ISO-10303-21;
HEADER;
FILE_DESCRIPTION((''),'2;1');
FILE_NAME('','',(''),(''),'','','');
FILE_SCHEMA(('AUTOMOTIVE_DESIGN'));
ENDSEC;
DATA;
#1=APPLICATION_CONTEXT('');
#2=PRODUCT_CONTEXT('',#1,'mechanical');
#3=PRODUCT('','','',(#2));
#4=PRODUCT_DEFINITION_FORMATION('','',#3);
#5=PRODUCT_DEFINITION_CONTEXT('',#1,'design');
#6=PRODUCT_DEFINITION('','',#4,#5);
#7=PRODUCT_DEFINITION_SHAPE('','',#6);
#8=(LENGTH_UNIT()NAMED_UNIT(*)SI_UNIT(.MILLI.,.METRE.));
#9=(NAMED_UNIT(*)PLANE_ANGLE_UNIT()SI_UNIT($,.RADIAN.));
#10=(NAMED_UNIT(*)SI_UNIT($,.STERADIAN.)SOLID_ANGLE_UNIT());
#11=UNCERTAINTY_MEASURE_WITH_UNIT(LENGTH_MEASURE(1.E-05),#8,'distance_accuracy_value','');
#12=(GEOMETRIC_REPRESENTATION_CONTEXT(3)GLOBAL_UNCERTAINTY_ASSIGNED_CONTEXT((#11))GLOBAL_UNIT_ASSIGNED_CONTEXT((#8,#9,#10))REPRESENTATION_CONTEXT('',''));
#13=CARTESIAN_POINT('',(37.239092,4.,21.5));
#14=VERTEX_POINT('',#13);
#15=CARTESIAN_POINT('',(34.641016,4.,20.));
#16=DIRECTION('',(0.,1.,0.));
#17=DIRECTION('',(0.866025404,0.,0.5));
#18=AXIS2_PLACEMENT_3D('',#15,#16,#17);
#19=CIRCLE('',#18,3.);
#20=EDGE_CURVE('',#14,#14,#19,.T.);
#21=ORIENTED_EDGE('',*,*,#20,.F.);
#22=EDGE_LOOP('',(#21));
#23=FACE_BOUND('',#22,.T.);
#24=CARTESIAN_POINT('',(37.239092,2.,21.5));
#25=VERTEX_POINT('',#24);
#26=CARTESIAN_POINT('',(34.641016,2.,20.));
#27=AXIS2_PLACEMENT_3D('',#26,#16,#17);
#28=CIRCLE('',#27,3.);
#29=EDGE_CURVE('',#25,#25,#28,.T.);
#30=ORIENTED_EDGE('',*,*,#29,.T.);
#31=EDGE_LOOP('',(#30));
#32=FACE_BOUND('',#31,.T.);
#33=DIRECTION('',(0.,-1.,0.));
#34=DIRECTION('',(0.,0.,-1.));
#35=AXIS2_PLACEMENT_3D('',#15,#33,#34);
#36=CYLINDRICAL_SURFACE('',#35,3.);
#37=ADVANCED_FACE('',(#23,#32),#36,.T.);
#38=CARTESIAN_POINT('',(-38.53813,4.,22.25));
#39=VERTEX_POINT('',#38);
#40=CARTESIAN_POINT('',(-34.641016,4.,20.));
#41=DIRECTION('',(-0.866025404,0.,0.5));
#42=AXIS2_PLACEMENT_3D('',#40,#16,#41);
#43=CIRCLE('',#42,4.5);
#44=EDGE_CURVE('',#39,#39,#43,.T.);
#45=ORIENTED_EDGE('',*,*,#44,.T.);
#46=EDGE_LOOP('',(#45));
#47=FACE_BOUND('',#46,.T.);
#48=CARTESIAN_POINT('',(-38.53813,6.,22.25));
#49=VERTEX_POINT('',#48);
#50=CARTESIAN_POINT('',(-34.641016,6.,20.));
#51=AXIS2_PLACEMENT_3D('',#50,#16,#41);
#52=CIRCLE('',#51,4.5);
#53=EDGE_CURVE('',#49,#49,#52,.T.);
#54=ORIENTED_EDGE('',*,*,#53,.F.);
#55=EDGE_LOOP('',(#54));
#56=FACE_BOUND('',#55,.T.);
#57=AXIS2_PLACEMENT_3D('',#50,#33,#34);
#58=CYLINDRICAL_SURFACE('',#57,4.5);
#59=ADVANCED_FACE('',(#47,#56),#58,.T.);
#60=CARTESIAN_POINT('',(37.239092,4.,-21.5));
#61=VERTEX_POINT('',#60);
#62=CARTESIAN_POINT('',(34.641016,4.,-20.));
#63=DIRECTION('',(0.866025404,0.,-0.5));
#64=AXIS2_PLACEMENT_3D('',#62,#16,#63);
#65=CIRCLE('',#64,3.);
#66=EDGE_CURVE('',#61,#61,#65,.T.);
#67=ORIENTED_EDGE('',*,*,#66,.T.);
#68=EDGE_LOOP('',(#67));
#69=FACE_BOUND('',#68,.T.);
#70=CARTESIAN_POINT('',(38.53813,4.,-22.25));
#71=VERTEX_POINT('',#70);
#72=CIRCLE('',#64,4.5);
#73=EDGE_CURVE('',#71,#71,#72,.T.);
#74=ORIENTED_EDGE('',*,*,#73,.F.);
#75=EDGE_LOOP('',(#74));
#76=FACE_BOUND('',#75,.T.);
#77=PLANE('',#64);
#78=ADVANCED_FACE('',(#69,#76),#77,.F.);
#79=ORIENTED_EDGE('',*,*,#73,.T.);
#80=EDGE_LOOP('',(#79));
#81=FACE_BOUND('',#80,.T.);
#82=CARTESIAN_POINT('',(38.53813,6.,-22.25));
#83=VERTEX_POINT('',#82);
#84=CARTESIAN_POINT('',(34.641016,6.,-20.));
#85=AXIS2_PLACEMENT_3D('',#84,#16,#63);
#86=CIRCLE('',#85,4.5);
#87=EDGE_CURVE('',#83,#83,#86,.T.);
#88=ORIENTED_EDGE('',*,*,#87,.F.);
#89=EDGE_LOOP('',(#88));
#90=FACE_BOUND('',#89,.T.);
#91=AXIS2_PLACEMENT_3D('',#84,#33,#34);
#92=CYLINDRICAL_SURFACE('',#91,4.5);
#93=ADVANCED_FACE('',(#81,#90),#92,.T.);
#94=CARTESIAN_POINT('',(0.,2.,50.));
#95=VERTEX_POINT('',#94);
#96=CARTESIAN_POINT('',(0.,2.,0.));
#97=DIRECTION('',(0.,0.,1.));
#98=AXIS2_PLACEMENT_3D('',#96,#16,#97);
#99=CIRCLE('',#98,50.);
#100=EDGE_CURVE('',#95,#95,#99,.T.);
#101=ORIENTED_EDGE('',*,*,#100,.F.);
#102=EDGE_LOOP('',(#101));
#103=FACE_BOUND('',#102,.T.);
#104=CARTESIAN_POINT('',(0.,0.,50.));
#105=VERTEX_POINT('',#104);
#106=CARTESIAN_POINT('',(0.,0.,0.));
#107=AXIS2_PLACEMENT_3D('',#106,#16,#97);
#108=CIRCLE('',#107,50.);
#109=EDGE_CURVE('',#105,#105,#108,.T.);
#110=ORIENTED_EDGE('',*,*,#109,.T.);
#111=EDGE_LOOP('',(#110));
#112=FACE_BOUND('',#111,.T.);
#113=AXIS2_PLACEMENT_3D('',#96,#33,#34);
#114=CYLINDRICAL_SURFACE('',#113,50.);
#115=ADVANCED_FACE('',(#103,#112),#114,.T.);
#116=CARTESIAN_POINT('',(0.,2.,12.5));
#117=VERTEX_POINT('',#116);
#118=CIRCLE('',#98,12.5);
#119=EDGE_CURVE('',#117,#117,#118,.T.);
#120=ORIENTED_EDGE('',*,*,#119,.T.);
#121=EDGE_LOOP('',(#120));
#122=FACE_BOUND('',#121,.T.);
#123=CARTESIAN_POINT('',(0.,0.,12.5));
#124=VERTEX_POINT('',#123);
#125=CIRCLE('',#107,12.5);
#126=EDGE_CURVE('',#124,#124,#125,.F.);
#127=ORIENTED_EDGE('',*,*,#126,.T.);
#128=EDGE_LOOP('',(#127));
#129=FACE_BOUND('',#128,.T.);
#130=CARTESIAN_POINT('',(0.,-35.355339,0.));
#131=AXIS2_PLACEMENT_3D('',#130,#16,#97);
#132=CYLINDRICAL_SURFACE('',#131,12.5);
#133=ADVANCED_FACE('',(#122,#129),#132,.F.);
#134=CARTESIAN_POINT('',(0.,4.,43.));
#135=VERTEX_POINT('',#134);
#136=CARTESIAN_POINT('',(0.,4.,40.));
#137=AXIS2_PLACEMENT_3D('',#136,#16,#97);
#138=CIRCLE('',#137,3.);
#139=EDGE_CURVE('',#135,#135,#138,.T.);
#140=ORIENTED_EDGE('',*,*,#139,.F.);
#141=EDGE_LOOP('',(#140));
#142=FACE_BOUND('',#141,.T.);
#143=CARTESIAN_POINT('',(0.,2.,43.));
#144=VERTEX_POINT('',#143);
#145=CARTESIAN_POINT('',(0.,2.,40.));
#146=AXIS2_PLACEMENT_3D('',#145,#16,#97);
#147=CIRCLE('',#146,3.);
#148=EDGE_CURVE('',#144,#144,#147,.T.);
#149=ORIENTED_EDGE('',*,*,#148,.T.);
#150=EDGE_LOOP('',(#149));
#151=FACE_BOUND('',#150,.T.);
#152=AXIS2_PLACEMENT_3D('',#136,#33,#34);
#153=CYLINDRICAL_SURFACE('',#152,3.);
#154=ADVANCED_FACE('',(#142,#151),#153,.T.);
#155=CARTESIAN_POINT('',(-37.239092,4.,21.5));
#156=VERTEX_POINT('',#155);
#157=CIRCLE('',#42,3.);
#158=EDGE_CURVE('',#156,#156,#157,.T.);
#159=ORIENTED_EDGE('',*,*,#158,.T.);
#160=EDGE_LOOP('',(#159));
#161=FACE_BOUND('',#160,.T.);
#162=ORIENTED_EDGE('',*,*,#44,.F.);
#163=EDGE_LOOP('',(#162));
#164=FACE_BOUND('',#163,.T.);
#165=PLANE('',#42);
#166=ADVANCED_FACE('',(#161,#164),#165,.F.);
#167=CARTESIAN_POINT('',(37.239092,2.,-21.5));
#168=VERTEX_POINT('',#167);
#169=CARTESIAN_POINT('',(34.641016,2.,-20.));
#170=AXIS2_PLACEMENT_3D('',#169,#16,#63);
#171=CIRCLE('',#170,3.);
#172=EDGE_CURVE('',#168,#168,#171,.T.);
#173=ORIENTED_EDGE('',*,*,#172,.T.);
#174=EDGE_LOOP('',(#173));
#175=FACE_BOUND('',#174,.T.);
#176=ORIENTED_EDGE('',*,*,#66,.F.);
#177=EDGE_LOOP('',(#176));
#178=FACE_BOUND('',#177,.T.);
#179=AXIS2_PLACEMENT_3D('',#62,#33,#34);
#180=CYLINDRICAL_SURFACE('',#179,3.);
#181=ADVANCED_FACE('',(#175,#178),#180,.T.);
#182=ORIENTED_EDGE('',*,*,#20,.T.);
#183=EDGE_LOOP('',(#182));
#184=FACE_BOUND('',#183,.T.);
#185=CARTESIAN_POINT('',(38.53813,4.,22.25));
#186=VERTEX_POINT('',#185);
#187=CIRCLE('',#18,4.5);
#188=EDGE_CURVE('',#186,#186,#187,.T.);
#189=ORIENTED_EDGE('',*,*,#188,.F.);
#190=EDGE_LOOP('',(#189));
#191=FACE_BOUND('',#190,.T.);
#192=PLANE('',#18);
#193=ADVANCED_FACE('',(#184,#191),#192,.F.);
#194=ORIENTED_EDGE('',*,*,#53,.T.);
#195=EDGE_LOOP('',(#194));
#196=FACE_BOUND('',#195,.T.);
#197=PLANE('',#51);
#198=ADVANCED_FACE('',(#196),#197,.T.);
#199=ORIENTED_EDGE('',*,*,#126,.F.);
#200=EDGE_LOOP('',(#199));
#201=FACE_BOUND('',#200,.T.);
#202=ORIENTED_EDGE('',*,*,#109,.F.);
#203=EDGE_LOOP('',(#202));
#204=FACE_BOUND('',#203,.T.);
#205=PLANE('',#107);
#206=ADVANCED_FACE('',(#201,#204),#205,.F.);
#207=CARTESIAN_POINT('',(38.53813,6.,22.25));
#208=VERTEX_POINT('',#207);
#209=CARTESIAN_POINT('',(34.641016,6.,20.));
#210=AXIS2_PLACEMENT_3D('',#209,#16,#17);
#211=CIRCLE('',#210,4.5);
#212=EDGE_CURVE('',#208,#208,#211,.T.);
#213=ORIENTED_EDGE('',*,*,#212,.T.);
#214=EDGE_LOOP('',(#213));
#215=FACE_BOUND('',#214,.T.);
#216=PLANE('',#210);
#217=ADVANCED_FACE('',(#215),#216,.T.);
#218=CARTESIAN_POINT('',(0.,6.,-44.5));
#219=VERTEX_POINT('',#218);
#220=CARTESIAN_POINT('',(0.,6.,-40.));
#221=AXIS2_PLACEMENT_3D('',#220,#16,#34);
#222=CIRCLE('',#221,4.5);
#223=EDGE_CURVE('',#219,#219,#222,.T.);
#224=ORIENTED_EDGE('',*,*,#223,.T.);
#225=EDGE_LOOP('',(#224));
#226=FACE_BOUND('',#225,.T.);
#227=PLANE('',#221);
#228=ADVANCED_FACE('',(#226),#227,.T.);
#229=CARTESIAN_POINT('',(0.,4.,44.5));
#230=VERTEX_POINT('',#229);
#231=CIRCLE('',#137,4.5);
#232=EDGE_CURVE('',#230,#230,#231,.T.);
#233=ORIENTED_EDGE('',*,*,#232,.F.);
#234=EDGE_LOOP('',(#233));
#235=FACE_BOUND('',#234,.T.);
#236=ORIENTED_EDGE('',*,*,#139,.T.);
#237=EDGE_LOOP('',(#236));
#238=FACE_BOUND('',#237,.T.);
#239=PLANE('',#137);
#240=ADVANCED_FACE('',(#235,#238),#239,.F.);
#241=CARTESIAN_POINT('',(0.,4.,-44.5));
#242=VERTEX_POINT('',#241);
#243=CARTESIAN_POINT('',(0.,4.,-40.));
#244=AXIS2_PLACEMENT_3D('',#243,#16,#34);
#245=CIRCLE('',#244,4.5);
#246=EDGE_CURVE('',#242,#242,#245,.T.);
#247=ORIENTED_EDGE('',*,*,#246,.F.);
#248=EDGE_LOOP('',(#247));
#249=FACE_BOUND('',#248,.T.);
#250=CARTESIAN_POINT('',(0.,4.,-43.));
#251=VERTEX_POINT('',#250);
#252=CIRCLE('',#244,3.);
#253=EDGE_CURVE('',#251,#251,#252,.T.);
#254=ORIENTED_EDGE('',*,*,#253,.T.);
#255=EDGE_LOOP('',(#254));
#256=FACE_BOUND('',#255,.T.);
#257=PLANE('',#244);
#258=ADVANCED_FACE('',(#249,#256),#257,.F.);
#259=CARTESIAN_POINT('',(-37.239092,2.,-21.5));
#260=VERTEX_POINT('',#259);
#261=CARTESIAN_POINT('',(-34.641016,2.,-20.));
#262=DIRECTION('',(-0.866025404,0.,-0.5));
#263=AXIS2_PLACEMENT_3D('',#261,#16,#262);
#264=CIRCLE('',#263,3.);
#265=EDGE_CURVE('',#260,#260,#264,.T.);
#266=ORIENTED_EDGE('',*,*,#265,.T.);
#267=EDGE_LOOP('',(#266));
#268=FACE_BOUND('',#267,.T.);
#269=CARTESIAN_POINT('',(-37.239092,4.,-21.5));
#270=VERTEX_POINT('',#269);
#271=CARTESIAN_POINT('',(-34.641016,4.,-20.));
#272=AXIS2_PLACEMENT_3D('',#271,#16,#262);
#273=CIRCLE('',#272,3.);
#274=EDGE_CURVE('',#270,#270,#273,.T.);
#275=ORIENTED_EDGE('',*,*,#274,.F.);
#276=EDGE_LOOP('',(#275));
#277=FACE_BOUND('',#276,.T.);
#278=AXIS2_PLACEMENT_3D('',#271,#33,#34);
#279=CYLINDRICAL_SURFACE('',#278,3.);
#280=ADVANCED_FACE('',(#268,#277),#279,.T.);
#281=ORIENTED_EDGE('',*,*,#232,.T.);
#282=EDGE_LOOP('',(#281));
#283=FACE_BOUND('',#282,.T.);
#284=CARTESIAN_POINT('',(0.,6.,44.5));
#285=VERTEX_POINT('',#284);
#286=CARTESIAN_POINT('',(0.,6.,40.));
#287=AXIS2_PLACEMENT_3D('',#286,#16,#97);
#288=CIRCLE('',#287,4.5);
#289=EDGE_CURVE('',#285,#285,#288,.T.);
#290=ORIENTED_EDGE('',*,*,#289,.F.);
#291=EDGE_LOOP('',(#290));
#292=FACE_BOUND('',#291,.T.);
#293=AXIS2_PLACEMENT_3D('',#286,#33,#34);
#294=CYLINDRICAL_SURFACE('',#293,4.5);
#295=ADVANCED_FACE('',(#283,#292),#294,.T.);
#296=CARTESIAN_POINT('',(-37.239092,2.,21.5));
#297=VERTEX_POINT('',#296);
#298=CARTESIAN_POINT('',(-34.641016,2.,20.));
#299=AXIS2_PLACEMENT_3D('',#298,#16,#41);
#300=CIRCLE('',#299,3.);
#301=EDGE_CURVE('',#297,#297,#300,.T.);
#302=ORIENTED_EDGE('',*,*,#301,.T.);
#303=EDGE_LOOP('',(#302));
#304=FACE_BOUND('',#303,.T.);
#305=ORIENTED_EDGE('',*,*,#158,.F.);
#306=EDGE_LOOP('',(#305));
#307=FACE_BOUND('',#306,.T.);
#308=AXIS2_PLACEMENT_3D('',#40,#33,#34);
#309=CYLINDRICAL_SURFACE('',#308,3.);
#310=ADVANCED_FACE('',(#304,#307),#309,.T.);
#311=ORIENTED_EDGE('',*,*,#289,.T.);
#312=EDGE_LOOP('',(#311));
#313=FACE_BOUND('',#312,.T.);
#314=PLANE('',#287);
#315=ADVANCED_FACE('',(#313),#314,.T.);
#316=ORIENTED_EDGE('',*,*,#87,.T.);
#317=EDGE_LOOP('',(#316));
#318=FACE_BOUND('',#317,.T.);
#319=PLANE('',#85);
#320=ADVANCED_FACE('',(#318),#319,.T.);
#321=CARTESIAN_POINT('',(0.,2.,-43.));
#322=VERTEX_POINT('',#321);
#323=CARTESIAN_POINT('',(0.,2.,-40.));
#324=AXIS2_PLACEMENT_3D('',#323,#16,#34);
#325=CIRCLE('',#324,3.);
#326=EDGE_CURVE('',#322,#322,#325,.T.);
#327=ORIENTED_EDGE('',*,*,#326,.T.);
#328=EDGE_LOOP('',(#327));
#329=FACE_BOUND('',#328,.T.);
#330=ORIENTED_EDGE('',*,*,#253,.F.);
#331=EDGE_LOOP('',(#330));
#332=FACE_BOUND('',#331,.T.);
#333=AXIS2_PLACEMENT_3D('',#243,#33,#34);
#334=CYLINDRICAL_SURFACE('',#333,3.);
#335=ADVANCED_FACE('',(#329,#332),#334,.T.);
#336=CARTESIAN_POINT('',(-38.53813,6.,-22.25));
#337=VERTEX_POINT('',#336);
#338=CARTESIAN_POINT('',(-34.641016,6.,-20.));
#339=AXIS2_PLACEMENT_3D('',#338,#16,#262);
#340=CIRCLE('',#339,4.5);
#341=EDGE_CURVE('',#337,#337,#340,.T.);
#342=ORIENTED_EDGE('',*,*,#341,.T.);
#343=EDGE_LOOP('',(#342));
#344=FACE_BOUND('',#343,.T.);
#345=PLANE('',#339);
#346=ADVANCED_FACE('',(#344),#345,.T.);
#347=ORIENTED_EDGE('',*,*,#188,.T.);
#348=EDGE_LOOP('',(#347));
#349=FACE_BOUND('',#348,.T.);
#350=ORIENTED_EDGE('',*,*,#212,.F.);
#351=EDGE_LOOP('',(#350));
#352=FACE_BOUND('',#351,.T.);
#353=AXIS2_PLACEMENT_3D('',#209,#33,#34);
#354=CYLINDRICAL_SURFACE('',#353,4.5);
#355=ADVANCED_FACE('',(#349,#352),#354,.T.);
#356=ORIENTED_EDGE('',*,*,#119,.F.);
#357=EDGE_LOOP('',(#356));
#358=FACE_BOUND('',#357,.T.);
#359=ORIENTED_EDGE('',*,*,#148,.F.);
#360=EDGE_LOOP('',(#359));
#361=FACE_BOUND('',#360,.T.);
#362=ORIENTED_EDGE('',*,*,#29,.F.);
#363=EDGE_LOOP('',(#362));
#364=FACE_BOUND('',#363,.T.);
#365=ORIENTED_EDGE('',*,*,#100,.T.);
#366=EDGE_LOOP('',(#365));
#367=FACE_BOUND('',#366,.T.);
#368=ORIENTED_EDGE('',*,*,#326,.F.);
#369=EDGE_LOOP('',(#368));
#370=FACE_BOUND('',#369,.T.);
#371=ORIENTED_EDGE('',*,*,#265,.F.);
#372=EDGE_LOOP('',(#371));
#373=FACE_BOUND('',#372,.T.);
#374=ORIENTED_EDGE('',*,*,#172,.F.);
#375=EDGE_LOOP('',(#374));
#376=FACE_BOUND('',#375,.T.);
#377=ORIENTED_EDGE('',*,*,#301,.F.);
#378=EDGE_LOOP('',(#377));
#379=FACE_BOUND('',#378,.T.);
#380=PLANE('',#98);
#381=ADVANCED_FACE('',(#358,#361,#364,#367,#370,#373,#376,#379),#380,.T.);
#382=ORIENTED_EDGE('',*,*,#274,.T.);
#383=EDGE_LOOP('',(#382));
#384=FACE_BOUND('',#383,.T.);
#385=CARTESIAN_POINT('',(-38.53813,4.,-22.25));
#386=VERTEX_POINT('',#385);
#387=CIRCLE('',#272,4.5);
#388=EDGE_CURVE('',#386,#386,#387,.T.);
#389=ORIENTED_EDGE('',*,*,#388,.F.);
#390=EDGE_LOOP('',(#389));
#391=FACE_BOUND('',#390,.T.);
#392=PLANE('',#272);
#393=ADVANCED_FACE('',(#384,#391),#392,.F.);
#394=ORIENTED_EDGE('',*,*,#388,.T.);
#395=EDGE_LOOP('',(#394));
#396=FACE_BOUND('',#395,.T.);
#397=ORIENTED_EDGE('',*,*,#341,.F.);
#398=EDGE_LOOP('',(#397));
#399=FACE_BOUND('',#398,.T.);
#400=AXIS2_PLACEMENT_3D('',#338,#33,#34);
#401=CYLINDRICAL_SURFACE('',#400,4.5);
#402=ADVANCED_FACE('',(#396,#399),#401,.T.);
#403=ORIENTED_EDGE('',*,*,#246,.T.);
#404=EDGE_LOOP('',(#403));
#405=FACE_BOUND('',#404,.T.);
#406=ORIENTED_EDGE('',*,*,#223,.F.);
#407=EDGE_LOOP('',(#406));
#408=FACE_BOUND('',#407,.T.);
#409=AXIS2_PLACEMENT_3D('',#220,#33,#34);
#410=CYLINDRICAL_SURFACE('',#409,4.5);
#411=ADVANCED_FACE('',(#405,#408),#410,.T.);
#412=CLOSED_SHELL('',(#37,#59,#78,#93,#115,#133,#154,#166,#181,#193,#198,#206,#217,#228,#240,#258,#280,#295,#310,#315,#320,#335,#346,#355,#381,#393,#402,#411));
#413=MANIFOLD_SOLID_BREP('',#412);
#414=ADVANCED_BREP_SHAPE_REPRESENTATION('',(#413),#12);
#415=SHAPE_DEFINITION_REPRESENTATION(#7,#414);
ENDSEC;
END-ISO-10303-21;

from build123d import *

# Parameters (mm, degrees)
SKETCH1_R           = 50
BOSS_EXTRUDE1_DEPTH = 2
SKETCH2_R           = 12.5
CUT_EXTRUDE1_DEPTH  = 2
SKETCH2_3_R         = 4.5
BOSS_EXTRUDE2_DEPTH = 4
SKETCH2_4_R         = 4.5
SKETCH2_4_R_2       = 3
CUT_EXTRUDE2_DEPTH  = 2
CIRPATTERN1_COUNT   = 12


with BuildPart() as part:
    # Sketch1 → Boss-Extrude1 (new body)
    with BuildSketch(Plane(origin=(0, 0, 0), x_dir=(1, 0, 0), z_dir=(0, 1, 0))):
        with Locations(Location((0, 0, 0), (0, 0, 270))):
            Circle(SKETCH1_R)
    extrude(amount=BOSS_EXTRUDE1_DEPTH)

    # Sketch2 → Cut-Extrude1 (cut)
    with BuildSketch(Plane(origin=(0, 2, 0), x_dir=(1, 0, 0), z_dir=(0, 1, 0))):
        with Locations(Location((0, 0, 0), (0, 0, 270))):
            Circle(SKETCH2_R)
    extrude(amount=-CUT_EXTRUDE1_DEPTH, mode=Mode.SUBTRACT)

    # Sketch2<3> → Boss-Extrude2 (add)
    with BuildSketch(Plane(origin=(0, 2, 0), x_dir=(1, 0, 0), z_dir=(0, 1, 0))):
        with Locations(Location((0, -40, 0), (0, 0, 270))):
            Circle(SKETCH2_3_R)
    boss_extrude2 = extrude(amount=BOSS_EXTRUDE2_DEPTH)

    # Sketch2<4> → Cut-Extrude2 (cut)
    with BuildSketch(Plane(origin=(0, 2, 0), x_dir=(1, 0, 0), z_dir=(0, 1, 0))):
        with Locations(Location((0, -40, 0), (0, 0, 270))):
            Circle(SKETCH2_4_R)
        with Locations(Location((0, -40, 0), (0, 0, 270))):
            Circle(SKETCH2_4_R_2, mode=Mode.SUBTRACT)
    cut_extrude2 = extrude(amount=CUT_EXTRUDE2_DEPTH, mode=Mode.SUBTRACT)

    # CirPattern1: Boss-Extrude2, Cut-Extrude2 ×12 about axis, 6 skipped
    cirpattern1_axis = Axis((0, -35.355339059, 0), (0, 1, 0))
    add([boss_extrude2.rotate(cirpattern1_axis, i * 360 / CIRPATTERN1_COUNT) for i in range(1, CIRPATTERN1_COUNT) if i not in (1, 3, 5, 7, 9, 11)])
    add([cut_extrude2.rotate(cirpattern1_axis, i * 360 / CIRPATTERN1_COUNT) for i in range(1, CIRPATTERN1_COUNT) if i not in (1, 3, 5, 7, 9, 11)], mode=Mode.SUBTRACT)


solid = part.part
